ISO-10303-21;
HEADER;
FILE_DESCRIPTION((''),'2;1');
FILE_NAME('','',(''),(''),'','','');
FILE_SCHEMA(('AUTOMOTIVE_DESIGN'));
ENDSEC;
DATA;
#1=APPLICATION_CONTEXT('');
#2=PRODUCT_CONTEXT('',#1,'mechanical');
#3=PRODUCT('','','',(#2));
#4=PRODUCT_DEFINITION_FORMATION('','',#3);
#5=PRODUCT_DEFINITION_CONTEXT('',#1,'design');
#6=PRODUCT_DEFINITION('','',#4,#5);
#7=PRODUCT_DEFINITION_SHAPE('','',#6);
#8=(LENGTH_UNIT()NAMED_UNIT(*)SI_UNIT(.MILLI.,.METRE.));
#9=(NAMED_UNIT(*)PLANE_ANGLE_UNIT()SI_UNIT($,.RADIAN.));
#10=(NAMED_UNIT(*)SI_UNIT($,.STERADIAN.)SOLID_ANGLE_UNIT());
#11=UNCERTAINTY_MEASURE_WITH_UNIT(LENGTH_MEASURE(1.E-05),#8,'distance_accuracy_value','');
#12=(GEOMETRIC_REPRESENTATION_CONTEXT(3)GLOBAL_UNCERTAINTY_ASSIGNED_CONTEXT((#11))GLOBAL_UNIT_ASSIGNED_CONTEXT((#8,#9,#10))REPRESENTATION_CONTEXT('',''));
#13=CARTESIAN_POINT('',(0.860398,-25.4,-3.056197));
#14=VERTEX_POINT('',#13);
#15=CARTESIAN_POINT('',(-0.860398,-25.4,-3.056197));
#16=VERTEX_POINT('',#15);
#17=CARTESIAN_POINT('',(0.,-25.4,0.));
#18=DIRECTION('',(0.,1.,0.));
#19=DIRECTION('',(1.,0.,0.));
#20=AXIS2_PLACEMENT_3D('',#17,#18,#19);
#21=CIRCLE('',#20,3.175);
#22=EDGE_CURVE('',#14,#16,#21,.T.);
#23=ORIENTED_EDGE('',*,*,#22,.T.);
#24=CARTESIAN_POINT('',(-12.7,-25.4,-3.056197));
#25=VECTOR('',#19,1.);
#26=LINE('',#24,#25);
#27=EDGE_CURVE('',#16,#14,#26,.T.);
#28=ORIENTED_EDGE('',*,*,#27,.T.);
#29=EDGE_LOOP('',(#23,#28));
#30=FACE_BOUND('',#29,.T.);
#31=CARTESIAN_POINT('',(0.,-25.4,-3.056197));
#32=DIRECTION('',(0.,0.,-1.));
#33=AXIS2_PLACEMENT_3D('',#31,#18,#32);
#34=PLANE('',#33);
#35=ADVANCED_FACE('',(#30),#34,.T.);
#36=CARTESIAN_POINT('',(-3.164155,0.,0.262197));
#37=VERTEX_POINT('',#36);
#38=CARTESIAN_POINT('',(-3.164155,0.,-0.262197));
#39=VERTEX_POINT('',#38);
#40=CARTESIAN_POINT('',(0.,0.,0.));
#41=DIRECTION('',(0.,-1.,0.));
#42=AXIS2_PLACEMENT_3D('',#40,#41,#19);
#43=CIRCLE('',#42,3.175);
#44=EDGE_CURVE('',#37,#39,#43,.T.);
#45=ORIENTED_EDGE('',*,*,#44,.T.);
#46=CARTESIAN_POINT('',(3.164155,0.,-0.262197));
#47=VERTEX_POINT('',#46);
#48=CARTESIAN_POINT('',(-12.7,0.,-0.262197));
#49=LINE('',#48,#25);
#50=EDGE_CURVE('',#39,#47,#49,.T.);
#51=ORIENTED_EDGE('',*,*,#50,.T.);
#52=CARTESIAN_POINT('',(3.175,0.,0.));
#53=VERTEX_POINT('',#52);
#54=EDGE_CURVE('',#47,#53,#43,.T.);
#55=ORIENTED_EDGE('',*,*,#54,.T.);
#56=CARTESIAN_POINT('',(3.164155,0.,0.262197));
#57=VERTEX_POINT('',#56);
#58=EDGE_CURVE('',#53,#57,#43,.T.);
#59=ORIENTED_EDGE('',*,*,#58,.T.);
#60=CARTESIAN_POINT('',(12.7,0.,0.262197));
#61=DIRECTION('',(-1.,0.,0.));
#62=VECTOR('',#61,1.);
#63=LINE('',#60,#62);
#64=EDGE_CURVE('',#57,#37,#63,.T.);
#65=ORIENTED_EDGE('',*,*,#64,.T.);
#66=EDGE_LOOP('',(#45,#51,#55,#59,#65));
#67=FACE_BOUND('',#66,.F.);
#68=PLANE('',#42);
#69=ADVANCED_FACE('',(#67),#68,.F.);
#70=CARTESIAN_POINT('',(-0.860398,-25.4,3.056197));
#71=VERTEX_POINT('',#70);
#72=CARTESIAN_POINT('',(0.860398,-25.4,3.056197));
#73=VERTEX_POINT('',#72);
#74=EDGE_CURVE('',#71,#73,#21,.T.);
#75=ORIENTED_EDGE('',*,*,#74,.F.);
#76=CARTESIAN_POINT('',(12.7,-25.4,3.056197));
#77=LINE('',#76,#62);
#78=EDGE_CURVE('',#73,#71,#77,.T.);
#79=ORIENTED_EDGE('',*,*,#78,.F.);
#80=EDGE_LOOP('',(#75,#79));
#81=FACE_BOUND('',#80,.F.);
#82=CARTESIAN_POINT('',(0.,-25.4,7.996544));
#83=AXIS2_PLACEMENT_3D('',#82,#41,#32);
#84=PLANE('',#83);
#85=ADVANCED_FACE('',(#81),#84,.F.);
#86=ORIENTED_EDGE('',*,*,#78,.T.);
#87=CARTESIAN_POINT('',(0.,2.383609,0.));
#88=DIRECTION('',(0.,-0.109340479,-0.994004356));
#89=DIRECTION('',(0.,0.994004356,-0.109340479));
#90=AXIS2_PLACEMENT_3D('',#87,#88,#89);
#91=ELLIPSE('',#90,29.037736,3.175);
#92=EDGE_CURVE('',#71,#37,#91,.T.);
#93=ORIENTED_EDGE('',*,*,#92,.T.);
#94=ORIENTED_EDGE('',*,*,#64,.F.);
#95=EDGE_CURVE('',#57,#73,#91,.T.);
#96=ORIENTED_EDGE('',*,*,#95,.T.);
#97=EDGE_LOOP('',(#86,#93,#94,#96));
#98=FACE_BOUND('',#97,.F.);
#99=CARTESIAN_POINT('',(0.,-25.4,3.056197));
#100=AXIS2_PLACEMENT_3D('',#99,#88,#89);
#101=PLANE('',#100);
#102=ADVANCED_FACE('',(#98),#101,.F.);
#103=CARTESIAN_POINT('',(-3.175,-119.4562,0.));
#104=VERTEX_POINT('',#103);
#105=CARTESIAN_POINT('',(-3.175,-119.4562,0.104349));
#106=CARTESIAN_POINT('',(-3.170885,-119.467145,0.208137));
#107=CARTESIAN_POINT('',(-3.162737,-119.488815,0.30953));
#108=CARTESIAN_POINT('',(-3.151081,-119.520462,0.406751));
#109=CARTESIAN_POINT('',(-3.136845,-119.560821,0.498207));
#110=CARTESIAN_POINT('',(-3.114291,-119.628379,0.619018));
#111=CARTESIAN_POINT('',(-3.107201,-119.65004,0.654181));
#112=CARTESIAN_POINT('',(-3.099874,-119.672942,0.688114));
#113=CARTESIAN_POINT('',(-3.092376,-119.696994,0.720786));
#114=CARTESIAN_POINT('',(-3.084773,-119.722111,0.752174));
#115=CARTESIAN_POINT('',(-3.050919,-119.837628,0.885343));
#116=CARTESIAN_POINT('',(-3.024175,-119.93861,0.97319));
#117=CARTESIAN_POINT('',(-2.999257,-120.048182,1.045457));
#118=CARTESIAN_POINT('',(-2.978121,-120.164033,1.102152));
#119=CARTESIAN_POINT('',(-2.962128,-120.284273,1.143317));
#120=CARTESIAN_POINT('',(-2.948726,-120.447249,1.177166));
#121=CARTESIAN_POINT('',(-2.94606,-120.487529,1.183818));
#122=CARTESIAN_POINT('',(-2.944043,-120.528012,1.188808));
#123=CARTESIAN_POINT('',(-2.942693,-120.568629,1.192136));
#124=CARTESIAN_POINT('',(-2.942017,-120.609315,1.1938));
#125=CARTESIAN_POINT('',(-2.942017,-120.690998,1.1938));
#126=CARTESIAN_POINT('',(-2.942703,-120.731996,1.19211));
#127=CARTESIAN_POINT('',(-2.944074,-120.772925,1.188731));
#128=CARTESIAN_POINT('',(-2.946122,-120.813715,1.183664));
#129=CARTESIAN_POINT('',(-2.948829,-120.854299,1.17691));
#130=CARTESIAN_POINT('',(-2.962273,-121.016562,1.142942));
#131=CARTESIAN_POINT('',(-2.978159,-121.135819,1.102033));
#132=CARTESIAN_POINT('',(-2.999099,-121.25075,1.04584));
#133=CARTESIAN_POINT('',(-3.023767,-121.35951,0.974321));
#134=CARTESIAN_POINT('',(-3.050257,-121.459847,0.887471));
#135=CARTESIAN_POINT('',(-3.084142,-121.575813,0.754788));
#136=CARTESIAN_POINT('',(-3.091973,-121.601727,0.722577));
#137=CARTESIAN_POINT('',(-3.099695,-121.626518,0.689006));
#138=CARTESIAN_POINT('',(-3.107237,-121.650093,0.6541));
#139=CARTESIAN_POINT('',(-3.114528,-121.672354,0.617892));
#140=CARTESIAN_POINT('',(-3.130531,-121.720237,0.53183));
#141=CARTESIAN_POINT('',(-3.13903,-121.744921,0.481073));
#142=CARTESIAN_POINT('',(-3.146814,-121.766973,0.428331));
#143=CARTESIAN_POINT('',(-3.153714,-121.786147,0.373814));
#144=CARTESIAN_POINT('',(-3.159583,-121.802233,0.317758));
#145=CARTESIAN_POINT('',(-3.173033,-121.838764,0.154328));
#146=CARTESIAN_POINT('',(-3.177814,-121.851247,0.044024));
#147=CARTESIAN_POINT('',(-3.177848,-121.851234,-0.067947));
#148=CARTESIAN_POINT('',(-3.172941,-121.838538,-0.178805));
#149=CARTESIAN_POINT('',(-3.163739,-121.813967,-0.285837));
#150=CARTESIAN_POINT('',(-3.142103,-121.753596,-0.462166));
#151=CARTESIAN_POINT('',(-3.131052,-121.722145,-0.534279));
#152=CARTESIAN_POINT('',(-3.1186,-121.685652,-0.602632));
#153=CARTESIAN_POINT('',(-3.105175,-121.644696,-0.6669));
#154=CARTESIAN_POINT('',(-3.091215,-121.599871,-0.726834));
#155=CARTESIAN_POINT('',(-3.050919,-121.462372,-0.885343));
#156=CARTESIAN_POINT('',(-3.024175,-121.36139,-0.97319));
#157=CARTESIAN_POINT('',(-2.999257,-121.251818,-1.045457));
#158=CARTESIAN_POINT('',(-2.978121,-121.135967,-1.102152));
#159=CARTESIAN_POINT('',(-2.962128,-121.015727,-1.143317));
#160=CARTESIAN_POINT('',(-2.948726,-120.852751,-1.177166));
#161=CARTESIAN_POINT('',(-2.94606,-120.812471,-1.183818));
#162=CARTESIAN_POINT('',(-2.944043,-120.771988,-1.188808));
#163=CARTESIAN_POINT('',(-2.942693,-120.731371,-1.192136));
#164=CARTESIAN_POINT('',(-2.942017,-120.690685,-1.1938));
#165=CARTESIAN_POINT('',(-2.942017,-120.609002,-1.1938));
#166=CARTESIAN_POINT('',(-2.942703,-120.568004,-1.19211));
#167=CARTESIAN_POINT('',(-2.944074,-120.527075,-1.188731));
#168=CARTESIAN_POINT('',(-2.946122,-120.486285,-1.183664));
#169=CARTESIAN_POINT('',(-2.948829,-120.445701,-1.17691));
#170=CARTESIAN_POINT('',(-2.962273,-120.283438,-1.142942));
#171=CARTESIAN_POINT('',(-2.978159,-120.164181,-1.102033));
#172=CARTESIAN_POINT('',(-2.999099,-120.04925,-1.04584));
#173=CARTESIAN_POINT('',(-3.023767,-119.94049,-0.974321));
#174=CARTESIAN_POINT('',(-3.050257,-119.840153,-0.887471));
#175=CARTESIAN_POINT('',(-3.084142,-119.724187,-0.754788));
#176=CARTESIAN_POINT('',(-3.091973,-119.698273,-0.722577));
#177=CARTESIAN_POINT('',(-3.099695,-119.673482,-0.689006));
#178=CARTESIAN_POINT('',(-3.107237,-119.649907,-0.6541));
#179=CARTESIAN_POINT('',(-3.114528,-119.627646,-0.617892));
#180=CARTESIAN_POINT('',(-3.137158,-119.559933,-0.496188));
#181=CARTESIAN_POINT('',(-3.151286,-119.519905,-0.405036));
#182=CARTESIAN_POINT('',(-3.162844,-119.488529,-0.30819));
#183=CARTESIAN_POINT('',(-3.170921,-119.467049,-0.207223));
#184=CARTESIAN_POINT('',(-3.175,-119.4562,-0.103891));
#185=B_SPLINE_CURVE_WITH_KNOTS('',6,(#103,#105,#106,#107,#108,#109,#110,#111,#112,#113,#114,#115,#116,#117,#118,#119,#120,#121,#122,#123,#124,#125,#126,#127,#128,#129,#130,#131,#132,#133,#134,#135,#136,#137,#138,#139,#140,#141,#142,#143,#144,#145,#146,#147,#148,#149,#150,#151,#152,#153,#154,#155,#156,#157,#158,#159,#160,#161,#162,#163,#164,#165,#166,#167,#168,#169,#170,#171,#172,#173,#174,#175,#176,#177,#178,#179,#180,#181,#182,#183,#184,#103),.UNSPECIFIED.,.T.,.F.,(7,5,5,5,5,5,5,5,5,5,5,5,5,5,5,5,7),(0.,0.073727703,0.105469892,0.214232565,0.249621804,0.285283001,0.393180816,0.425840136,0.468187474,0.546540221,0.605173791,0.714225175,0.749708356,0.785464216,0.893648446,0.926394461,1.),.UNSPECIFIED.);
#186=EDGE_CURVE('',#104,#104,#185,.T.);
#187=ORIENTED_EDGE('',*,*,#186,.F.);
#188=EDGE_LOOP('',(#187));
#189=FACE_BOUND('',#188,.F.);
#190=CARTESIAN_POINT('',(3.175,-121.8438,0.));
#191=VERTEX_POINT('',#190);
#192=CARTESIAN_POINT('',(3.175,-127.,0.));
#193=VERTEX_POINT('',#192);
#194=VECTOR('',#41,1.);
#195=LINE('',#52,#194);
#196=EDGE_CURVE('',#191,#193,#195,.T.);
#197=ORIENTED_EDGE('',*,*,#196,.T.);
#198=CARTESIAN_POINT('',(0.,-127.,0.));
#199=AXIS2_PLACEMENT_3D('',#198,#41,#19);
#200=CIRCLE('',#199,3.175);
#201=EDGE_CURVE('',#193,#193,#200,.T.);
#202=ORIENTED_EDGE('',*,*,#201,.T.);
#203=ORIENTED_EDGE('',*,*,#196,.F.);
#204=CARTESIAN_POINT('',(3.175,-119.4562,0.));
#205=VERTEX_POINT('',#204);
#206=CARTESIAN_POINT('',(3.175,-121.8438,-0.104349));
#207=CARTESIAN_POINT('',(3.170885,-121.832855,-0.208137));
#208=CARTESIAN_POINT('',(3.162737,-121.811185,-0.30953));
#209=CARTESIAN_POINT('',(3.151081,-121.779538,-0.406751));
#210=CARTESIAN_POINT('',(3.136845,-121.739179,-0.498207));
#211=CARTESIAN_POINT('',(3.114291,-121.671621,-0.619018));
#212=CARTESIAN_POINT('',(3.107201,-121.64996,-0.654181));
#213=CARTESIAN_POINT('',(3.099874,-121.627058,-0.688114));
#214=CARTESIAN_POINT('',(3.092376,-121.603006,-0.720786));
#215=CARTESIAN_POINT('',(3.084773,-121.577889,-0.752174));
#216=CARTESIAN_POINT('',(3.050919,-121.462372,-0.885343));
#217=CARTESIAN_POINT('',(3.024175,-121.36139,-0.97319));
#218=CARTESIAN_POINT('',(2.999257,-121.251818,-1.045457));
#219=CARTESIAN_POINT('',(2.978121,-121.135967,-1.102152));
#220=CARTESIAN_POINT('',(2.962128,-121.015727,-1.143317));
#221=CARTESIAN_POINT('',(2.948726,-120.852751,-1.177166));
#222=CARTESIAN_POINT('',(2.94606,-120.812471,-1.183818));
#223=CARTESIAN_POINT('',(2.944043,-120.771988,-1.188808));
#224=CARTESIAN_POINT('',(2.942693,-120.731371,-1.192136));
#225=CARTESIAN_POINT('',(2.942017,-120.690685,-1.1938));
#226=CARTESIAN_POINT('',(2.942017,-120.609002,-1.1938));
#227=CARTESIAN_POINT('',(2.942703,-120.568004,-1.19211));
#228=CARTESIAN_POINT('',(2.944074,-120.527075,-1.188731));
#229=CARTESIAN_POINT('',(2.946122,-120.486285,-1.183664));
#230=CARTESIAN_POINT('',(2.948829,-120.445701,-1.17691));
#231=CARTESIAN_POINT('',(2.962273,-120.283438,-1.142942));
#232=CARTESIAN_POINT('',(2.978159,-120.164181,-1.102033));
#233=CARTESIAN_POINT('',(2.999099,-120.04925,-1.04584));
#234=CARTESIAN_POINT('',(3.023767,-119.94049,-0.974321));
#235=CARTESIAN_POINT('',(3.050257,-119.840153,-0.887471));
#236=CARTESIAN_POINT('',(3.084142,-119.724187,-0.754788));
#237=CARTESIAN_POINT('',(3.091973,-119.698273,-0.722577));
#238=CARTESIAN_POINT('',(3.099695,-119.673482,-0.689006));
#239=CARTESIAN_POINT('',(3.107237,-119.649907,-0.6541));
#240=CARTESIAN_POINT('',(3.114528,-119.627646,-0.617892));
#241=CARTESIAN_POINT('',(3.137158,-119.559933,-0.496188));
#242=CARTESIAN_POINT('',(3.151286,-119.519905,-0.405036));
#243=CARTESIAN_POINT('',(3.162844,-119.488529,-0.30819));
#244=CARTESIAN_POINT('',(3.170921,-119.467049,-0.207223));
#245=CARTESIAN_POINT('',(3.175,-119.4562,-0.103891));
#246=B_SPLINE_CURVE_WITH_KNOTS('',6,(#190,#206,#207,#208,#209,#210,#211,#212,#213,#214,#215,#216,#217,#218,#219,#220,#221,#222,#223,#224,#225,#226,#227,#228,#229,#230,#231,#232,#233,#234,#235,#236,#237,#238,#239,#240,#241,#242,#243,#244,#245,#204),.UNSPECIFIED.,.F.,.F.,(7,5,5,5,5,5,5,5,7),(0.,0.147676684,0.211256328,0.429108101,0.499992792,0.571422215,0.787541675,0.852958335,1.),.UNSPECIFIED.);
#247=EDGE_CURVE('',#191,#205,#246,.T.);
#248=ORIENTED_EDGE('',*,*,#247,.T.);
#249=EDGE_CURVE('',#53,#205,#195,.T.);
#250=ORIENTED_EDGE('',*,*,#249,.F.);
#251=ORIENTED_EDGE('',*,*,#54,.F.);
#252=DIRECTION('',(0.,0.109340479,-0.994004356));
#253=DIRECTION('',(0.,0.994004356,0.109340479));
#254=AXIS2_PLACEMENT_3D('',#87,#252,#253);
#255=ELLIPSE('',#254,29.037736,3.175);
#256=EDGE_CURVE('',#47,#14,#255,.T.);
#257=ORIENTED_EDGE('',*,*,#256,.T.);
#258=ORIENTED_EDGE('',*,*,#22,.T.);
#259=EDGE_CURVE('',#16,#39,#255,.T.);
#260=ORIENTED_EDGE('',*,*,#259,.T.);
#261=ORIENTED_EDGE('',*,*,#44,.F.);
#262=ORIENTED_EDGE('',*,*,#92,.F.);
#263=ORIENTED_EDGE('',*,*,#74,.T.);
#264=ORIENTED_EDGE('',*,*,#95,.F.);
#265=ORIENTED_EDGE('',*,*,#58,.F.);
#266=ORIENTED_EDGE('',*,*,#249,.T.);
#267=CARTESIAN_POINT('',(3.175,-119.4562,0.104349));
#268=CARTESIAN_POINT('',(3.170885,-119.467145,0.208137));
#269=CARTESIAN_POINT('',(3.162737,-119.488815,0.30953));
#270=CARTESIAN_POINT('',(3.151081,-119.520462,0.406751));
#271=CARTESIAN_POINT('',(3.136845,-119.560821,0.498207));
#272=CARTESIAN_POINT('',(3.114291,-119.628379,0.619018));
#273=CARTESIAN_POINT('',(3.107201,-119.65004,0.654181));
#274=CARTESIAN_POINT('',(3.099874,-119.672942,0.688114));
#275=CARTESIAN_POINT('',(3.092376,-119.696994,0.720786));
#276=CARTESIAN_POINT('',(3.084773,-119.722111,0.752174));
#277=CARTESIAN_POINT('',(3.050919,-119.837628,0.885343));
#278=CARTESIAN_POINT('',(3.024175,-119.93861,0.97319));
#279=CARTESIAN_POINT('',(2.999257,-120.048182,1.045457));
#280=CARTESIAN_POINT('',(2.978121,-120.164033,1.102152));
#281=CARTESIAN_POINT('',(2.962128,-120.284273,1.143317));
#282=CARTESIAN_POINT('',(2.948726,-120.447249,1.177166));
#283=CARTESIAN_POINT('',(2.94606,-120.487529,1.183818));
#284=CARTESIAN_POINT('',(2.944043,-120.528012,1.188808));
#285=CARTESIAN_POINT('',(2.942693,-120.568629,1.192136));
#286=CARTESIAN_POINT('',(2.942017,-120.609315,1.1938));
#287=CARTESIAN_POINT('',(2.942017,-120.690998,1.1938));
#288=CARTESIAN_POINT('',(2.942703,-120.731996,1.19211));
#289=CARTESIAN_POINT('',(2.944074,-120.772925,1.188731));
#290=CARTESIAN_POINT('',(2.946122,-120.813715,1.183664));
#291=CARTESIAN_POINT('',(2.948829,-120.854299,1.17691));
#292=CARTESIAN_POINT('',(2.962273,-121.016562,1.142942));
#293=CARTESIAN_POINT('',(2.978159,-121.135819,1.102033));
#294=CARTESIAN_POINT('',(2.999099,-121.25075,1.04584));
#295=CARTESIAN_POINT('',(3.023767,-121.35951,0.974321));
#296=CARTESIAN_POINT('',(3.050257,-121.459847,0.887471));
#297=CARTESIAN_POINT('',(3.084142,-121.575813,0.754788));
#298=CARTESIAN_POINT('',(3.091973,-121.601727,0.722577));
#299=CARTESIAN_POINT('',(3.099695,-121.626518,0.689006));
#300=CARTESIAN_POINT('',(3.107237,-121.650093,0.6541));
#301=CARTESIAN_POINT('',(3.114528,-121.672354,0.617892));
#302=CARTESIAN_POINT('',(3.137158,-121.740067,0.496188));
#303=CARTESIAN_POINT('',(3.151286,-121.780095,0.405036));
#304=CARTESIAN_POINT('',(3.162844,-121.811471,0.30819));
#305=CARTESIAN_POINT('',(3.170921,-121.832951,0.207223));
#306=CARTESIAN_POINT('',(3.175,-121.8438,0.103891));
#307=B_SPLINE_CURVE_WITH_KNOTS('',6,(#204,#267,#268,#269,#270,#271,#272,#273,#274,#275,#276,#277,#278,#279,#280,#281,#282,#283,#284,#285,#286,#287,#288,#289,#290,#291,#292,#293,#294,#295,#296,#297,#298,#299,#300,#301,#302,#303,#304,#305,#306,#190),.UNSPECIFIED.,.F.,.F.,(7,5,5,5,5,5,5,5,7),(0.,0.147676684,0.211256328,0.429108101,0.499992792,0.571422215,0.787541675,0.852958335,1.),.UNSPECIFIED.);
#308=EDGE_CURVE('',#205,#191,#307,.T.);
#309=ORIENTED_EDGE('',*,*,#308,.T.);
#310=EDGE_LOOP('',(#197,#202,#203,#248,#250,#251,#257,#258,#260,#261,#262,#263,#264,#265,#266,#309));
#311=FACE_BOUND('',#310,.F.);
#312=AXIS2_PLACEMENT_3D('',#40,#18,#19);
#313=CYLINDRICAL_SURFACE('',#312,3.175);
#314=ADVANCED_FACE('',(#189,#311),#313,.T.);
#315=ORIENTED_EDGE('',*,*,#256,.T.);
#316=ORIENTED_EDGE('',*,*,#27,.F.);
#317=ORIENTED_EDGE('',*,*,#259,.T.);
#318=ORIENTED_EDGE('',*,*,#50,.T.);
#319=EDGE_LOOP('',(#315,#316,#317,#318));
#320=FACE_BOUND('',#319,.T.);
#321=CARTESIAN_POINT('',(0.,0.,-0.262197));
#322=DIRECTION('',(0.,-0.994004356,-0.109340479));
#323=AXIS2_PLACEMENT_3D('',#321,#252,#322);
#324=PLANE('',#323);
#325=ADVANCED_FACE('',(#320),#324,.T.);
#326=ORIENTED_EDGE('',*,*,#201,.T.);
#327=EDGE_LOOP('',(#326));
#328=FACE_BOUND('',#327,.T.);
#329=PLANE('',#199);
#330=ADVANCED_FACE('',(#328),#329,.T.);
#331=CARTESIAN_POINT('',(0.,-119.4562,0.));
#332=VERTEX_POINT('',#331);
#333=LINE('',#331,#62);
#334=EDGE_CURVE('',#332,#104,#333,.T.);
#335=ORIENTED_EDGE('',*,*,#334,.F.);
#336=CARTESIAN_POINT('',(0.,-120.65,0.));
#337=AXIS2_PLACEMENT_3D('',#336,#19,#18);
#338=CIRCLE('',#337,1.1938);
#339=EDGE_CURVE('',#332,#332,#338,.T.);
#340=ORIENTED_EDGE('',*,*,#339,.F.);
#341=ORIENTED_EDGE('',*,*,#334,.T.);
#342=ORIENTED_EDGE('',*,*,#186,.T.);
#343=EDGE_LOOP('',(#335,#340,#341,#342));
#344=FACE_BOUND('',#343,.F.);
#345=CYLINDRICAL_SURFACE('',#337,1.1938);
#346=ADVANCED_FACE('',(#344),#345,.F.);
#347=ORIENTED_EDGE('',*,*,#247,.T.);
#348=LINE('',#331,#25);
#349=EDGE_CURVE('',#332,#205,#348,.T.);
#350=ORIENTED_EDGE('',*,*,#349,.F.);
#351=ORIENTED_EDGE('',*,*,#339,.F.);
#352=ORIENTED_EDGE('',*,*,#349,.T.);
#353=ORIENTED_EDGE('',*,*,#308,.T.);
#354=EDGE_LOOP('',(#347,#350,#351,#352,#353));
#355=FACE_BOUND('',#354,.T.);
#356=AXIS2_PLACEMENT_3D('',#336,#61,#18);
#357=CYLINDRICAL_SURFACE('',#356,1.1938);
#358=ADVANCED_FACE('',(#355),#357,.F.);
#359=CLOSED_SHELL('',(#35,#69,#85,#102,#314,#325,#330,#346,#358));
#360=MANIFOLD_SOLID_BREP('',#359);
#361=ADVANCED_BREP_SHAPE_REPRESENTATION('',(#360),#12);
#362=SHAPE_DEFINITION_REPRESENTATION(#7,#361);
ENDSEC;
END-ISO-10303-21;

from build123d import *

# Parameters (mm, degrees)
F0_R     = 3.175
F1_DEPTH = 127
F2_R     = 1.1938
F3_DEPTH = 12.7


with BuildPart() as f1:
    # F0 (on Front) → F1 (new body)
    with BuildSketch(Plane.XZ):
        Circle(F0_R)
    extrude(amount=F1_DEPTH)

    # F2 (on Right) → F3 (cut, symmetric)
    with BuildSketch(Plane.YZ):
        with Locations((-120.65, 0)):
            Circle(F2_R)
        Polygon((0, -7.645146), (0, -3.056197), (0, -0.262197), (-25.4, -3.056197), (-25.4, -7.645146), align=None)
        Polygon((0, 0.262197), (0, 3.056197), (0, 7.996544), (-25.4, 7.996544), (-25.4, 3.056197), align=None)
    extrude(amount=F3_DEPTH, both=True, mode=Mode.SUBTRACT)


solid = f1.part
